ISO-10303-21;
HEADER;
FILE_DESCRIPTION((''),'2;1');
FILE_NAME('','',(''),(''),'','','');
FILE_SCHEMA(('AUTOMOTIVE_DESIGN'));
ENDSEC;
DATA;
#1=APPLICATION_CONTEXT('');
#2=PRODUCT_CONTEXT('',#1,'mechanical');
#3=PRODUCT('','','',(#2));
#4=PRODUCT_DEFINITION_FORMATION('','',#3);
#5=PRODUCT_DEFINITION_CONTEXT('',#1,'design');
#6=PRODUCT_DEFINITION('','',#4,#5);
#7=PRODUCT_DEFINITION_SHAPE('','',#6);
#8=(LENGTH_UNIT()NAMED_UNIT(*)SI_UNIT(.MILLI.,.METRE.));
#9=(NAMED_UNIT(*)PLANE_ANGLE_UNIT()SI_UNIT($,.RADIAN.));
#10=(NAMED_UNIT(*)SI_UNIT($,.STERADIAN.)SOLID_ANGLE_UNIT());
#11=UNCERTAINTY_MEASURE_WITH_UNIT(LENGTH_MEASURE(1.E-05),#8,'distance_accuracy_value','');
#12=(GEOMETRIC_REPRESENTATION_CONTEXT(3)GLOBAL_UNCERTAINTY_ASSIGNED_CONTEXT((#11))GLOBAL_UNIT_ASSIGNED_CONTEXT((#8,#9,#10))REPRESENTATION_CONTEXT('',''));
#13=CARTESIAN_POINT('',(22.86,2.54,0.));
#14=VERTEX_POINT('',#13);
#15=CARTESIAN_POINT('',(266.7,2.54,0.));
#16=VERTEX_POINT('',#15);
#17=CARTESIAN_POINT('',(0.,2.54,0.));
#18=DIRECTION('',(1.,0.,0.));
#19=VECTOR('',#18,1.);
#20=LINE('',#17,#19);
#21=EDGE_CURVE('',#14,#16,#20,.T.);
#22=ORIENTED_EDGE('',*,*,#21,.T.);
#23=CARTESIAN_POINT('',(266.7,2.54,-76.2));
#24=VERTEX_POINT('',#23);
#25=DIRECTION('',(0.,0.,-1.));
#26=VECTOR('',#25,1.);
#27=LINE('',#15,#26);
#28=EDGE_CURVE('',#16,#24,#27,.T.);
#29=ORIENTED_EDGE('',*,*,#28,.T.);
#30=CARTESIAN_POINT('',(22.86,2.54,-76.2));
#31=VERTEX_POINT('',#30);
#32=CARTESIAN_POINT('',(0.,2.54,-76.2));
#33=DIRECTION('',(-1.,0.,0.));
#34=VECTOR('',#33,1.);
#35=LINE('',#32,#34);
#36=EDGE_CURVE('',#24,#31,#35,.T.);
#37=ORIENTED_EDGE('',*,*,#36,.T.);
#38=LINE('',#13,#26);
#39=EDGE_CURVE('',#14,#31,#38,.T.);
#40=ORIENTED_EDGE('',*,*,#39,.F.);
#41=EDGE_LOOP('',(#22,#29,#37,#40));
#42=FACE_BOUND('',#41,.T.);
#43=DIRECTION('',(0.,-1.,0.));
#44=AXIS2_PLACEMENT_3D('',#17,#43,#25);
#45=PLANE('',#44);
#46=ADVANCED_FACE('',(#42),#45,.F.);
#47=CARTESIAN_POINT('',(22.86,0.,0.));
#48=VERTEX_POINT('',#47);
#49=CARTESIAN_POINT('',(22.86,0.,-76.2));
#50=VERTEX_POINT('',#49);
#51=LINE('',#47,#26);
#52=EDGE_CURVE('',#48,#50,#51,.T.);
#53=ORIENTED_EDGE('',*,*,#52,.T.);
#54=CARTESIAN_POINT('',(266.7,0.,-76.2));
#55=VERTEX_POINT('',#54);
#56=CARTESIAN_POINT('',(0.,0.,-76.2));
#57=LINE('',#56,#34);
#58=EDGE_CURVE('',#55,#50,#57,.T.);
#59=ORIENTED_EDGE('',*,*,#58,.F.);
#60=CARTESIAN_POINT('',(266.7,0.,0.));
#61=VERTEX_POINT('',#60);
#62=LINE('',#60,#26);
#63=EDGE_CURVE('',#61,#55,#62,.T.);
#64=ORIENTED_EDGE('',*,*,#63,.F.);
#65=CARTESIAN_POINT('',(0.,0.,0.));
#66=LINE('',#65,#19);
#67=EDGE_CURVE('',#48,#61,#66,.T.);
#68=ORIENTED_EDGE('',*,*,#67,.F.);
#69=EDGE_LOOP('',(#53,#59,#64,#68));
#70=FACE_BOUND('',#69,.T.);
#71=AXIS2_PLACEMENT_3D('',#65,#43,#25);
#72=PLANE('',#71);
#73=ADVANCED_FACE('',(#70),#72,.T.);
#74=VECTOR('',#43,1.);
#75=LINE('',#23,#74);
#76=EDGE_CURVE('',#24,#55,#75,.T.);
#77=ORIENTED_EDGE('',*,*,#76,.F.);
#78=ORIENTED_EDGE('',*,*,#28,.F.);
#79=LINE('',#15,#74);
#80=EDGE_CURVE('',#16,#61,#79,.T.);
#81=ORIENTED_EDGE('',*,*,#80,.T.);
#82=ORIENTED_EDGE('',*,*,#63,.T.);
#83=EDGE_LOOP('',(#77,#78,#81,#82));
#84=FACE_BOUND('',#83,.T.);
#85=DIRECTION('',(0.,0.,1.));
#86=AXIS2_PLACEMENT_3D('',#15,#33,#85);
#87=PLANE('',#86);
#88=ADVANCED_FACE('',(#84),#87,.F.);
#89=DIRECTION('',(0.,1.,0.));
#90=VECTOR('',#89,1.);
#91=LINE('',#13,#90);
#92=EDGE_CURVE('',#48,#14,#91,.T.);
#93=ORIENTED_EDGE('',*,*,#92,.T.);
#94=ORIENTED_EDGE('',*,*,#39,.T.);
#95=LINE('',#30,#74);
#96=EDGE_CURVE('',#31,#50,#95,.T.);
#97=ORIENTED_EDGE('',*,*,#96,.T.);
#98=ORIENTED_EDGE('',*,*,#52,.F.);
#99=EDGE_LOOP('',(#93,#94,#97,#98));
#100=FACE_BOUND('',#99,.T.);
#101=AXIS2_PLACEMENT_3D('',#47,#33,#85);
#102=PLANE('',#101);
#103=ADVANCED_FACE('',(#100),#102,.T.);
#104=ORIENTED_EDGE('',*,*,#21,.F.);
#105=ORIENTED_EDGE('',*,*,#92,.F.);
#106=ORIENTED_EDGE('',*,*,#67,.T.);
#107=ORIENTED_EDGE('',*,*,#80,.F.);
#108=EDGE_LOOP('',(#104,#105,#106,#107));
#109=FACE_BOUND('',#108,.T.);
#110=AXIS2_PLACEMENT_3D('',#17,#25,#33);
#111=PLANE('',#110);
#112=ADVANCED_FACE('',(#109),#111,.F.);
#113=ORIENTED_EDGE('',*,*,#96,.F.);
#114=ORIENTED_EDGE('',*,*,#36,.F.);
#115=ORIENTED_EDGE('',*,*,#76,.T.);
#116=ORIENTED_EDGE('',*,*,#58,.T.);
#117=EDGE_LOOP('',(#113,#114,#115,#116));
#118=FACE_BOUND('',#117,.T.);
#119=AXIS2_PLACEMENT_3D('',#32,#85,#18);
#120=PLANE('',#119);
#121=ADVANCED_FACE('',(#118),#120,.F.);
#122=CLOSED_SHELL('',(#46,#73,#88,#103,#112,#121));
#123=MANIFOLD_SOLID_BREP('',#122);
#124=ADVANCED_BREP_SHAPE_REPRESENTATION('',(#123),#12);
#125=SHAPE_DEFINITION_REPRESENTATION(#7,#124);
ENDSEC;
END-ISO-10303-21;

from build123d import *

# Parameters (mm, degrees)
SKETCH2_W           = 266.7
SKETCH2_H           = 76.2
BOSS_EXTRUDE2_DEPTH = 2.54
SKETCH3_W           = 106.044360615
SKETCH3_H           = 67.366643484
CUT_EXTRUDE1_DEPTH  = 19.05
SKETCH4_W           = 100.655249905
SKETCH4_H           = 27.298305346
CUT_EXTRUDE2_DEPTH  = 3.81


with BuildPart() as part:
    # Sketch2 → Boss-Extrude2 (new body)
    with BuildSketch(Plane(origin=(0, 0, 0), x_dir=(1, 0, 0), z_dir=(0, 1, 0))):
        with Locations((133.35, 38.1)):
            Rectangle(SKETCH2_W, SKETCH2_H)
    extrude(amount=BOSS_EXTRUDE2_DEPTH)

    # Sketch3 → Cut-Extrude1 (cut)
    with BuildSketch(Plane.ZY):
        with Locations((-25.444736949, 3.487620746)):
            Rectangle(SKETCH3_W, SKETCH3_H)
    extrude(amount=-CUT_EXTRUDE1_DEPTH, mode=Mode.SUBTRACT)

    # Sketch4 → Cut-Extrude2 (cut)
    with BuildSketch(Plane.ZY.offset(-19.05)):
        with Locations((-42.160911607, -0.947161752)):
            Rectangle(SKETCH4_W, SKETCH4_H)
    extrude(amount=-CUT_EXTRUDE2_DEPTH, mode=Mode.SUBTRACT)


solid = part.part
